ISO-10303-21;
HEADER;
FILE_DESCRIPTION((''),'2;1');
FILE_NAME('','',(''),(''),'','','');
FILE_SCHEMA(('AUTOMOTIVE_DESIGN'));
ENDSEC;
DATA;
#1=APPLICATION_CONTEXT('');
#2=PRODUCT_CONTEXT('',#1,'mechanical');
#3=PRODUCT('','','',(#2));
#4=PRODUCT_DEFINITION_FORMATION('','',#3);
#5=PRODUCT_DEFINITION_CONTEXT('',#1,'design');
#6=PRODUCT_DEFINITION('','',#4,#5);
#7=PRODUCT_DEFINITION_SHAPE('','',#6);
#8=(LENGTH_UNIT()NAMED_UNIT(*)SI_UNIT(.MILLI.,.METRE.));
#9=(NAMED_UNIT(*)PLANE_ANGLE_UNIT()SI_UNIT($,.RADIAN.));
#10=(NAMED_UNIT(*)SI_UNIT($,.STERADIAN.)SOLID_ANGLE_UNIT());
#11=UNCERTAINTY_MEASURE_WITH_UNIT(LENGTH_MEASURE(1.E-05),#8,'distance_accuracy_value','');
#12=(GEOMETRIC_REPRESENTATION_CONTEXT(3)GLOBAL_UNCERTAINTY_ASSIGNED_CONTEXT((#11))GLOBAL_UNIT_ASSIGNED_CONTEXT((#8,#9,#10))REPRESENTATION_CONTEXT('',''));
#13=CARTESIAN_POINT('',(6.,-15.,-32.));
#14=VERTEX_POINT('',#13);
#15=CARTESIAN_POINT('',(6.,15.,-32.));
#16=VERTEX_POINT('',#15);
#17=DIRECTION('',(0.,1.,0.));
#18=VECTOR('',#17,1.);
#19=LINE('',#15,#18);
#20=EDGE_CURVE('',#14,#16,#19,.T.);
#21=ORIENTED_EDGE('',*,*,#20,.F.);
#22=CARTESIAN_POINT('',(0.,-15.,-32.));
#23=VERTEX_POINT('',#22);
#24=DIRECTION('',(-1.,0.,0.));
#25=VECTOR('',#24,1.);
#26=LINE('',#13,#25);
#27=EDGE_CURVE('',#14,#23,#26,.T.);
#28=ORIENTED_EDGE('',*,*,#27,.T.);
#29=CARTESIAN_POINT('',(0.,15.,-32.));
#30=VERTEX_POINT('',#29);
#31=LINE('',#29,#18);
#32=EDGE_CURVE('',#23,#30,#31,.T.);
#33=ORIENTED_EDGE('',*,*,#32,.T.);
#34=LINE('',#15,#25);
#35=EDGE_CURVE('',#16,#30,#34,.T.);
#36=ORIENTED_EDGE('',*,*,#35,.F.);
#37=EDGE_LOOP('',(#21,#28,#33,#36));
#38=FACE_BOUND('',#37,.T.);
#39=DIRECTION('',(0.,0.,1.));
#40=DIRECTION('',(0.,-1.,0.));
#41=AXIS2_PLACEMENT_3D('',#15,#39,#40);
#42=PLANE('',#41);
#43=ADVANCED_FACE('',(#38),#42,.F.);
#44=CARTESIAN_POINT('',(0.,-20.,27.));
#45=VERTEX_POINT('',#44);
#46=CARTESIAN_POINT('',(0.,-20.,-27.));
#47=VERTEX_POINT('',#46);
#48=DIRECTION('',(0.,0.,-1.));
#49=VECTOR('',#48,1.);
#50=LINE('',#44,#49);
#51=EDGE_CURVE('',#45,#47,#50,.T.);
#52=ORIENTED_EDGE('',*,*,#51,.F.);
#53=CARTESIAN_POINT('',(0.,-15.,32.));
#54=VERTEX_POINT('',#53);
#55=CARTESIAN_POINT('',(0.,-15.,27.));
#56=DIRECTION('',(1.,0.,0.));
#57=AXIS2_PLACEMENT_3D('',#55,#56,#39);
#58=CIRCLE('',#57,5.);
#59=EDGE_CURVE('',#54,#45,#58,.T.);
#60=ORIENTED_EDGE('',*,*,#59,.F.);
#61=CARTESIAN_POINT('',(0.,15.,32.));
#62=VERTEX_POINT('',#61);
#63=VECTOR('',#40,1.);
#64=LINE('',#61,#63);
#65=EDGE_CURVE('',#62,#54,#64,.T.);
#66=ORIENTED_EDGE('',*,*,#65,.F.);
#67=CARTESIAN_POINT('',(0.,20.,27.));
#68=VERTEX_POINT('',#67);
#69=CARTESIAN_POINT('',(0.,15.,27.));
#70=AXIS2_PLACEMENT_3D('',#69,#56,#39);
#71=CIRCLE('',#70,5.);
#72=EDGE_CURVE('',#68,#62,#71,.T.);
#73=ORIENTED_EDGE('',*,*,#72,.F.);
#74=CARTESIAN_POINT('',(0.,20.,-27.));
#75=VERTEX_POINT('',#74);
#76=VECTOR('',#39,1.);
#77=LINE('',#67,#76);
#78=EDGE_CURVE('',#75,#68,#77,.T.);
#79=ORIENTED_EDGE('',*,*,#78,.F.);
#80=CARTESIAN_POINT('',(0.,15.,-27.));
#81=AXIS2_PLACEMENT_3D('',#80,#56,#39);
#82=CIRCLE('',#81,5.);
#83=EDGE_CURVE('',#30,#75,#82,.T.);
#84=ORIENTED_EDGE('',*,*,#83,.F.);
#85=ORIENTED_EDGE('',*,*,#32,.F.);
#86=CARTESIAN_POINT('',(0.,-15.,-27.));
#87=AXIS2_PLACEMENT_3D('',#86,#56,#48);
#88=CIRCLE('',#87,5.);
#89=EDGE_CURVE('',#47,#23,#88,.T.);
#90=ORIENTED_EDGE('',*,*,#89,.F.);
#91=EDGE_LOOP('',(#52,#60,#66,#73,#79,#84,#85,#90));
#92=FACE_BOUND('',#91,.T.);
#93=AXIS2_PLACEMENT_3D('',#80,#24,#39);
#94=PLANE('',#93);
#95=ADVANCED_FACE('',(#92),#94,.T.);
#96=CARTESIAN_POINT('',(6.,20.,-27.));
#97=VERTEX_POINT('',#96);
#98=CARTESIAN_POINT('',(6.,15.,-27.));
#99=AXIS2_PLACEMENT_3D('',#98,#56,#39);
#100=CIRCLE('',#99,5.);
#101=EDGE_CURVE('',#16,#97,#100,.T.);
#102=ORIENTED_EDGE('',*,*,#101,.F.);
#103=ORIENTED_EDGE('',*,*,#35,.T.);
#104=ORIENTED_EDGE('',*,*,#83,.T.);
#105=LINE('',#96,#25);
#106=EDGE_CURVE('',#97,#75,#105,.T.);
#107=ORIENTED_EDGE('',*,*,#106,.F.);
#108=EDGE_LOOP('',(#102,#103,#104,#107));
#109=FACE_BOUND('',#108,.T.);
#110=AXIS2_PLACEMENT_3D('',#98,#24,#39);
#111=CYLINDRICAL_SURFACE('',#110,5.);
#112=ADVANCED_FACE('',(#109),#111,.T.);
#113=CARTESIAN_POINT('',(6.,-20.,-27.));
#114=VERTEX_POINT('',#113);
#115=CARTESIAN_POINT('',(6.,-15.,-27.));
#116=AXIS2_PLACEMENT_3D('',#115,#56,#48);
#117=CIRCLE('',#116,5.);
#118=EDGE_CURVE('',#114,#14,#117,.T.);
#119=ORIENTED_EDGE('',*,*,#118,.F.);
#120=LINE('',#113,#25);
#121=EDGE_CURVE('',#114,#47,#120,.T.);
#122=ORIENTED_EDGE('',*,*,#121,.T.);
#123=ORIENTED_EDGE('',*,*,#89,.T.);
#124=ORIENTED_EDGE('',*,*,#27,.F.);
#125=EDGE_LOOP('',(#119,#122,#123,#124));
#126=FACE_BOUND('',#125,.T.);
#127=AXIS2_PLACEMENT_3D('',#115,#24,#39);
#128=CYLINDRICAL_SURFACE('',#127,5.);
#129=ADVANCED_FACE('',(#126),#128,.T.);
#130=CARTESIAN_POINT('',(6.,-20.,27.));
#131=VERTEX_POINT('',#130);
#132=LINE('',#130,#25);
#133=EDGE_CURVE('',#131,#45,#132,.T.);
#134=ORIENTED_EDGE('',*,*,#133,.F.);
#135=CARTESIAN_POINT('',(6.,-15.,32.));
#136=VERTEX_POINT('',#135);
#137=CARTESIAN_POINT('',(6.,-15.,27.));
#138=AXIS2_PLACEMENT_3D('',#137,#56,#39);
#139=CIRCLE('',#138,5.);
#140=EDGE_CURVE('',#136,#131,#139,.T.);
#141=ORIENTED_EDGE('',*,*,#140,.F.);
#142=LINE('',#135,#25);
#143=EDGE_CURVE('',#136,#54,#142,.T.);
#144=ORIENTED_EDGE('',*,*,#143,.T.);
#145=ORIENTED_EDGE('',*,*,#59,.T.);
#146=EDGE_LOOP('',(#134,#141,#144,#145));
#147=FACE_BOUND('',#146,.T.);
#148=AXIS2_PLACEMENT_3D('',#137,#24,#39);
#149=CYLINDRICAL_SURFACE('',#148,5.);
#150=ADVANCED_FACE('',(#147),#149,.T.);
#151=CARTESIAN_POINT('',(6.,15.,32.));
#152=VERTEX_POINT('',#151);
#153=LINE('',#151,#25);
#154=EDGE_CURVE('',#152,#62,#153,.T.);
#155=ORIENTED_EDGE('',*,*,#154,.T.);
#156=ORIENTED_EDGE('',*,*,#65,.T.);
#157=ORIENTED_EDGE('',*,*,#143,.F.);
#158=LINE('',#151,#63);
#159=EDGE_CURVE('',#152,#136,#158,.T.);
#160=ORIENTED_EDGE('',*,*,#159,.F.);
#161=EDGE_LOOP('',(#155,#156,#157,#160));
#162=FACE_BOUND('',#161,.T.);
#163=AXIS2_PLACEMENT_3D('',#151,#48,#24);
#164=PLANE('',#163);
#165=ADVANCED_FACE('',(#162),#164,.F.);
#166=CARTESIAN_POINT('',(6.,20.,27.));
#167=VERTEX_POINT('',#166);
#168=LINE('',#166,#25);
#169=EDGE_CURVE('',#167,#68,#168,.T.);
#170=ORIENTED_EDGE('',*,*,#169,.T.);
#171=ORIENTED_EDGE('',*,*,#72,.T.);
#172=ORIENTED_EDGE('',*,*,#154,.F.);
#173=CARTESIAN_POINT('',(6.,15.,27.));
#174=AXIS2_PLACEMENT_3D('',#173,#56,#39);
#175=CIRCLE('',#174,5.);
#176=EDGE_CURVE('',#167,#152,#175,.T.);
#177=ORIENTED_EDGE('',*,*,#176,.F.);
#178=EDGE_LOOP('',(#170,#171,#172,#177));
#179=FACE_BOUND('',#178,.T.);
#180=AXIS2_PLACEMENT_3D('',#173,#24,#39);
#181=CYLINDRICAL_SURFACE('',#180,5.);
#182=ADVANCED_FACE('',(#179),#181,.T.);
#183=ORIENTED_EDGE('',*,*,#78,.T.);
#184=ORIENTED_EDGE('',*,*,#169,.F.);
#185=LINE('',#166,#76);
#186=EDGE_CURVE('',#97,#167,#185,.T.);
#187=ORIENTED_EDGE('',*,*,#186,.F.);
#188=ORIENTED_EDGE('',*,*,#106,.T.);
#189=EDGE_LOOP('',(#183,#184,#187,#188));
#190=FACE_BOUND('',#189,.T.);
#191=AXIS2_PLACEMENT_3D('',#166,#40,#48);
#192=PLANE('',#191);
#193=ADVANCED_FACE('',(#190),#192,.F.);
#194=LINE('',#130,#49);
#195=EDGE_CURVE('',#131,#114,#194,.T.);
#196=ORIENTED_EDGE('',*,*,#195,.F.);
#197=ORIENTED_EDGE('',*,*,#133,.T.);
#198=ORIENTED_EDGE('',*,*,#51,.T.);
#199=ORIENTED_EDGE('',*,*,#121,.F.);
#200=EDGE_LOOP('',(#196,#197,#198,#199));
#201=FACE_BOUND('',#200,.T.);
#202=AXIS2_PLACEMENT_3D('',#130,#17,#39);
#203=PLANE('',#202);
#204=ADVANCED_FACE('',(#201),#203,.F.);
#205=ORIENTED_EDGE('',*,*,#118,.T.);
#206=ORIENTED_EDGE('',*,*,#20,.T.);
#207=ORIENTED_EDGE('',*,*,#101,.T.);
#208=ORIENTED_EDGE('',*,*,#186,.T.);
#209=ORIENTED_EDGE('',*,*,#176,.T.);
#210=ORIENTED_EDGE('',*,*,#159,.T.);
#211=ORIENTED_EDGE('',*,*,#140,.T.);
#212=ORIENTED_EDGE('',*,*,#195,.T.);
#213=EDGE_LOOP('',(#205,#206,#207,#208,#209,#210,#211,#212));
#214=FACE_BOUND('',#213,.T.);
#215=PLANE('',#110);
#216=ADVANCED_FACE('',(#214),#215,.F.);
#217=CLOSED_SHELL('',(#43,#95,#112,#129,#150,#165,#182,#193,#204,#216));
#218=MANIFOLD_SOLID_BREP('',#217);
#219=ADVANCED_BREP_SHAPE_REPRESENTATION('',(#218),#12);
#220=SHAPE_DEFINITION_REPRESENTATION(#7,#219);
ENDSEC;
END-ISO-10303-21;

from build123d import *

# Parameters (mm, degrees)
EXTRUDE_1_DEPTH = 6


with BuildPart() as part:
    # 草图1 → 凸台-拉伸1 (new body)
    with BuildSketch(Plane(origin=(0, 0, 0), x_dir=(0, 0, -1), z_dir=(1, 0, 0))):
        with BuildLine():
            Line((-27, 20), (27, 20))
            ThreePointArc((27, 20), (30.535533906, 18.535533906), (32, 15))
            Line((32, 15), (32, -15))
            ThreePointArc((32, -15), (30.535533906, -18.535533906), (27, -20))
            Line((27, -20), (-27, -20))
            ThreePointArc((-27, -20), (-30.535533906, -18.535533906), (-32, -15))
            Line((-32, -15), (-32, 15))
            ThreePointArc((-32, 15), (-30.535533906, 18.535533906), (-27, 20))
        make_face()
    extrude(amount=EXTRUDE_1_DEPTH)


solid = part.part
